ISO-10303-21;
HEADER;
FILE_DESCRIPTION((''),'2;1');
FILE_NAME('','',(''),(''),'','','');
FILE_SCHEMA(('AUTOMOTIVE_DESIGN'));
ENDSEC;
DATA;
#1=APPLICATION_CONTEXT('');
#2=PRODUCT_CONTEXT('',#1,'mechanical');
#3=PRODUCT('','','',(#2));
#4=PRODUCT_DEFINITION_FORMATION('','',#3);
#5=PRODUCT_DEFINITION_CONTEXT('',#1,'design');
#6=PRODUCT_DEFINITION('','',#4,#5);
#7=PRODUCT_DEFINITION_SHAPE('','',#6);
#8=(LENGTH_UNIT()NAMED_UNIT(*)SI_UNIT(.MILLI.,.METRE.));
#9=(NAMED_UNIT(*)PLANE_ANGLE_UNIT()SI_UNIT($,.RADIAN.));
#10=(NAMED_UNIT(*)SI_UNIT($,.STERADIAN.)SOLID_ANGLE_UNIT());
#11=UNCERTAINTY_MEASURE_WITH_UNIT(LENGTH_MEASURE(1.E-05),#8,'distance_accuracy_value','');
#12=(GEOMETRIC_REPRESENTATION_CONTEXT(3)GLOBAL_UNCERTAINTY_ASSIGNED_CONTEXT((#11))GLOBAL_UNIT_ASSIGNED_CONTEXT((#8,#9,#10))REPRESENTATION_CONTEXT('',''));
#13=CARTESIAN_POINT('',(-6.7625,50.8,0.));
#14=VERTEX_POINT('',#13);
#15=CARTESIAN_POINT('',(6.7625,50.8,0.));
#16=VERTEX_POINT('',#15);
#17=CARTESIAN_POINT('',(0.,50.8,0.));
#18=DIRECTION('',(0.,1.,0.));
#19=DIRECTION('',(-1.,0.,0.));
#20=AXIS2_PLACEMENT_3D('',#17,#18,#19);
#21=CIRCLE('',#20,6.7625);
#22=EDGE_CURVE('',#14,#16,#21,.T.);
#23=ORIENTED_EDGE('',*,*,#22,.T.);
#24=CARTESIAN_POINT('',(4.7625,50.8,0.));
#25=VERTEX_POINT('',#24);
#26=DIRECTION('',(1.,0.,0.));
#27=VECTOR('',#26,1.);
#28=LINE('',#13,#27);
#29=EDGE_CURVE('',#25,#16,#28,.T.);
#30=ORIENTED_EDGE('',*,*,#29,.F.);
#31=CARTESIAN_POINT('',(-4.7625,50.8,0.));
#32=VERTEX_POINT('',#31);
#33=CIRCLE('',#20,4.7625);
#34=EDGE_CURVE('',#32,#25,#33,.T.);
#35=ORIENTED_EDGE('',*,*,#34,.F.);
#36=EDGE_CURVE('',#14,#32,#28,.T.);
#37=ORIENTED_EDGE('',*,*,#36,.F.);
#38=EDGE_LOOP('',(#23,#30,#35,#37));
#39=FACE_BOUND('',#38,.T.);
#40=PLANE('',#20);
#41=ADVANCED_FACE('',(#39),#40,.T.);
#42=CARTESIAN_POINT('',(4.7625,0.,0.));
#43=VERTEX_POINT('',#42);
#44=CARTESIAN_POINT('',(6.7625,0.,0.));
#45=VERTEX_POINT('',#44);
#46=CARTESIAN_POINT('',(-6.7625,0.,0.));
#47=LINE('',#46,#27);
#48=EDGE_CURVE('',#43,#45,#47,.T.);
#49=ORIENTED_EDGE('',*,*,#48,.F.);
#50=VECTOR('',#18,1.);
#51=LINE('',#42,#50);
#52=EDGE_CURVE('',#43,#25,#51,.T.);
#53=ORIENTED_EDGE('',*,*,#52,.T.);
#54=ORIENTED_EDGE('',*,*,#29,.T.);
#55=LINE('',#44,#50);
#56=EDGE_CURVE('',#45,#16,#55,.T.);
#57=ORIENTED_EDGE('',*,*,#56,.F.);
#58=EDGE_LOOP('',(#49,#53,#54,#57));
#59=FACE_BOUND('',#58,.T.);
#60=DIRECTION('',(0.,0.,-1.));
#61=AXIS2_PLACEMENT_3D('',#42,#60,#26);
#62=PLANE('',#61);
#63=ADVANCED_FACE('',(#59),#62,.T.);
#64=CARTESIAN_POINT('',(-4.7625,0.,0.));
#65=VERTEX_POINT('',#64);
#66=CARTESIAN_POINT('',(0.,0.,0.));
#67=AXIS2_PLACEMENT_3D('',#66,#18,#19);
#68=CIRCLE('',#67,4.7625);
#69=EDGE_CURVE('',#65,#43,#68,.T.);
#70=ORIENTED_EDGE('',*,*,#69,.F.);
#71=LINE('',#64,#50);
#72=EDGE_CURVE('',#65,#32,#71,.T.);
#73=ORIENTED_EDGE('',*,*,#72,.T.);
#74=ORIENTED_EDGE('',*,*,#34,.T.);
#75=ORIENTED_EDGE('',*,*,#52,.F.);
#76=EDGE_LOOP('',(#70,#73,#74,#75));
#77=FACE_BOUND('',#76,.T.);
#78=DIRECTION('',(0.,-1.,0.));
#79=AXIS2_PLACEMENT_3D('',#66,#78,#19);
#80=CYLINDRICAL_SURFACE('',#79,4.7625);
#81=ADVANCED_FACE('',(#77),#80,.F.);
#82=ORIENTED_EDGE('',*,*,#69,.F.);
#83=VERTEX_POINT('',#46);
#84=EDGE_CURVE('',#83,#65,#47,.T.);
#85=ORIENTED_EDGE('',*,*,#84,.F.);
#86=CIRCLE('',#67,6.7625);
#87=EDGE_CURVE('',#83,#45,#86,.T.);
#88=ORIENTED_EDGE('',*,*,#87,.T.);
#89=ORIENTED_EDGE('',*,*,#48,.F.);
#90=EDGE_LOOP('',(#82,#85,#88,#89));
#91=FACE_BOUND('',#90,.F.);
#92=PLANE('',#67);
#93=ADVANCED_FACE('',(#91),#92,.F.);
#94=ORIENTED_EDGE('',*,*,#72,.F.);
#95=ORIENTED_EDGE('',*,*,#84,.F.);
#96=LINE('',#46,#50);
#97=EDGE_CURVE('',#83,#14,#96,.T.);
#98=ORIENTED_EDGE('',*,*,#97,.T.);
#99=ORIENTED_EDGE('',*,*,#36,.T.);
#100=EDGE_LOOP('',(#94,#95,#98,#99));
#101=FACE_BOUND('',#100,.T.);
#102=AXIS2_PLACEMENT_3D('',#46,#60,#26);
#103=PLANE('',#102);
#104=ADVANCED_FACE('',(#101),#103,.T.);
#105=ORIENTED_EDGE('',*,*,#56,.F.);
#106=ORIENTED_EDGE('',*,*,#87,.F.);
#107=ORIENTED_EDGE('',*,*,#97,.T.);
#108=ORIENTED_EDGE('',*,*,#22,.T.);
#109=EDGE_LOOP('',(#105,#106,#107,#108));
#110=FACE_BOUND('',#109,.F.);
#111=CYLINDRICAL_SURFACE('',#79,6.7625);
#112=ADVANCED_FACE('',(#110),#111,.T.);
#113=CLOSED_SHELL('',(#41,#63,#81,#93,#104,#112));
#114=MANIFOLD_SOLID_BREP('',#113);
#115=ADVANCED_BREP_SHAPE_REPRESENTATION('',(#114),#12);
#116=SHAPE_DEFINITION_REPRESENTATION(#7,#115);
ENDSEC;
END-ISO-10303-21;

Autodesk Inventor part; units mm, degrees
ref_plane "YZ Plane" through (0, 0, 0) normal (1, 0, 0) x (0, 1, 0)
ref_plane "XZ Plane" through (0, 0, 0) normal (0, 1, 0) x (-1, 0, 0)
ref_plane "XY Plane" through (0, 0, 0) normal (0, 0, 1) x (1, 0, 0)
sketch "Sketch1" plane through (0, 0, 0) normal (0, 1, 0) x (-1, 0, 0)
  circle A0 centre (0, 0) radius 6.7625
  circle A1 centre (0, 0) radius 4.7625
  line L0 (6.7625, 0) -> (-6.7625, 0)
  point P0 (-4.7625, 0)
  point P1 (4.7625, 0)
  dimension "d0" = 9.525
  dimension "d1" = 2
extrude "Extrusion1" add sketch "Sketch1" along normal blind 50.8 contours L0 A1 A0 picked at (-1.634, 5.8298)
properties part number "Stamp Stand"
